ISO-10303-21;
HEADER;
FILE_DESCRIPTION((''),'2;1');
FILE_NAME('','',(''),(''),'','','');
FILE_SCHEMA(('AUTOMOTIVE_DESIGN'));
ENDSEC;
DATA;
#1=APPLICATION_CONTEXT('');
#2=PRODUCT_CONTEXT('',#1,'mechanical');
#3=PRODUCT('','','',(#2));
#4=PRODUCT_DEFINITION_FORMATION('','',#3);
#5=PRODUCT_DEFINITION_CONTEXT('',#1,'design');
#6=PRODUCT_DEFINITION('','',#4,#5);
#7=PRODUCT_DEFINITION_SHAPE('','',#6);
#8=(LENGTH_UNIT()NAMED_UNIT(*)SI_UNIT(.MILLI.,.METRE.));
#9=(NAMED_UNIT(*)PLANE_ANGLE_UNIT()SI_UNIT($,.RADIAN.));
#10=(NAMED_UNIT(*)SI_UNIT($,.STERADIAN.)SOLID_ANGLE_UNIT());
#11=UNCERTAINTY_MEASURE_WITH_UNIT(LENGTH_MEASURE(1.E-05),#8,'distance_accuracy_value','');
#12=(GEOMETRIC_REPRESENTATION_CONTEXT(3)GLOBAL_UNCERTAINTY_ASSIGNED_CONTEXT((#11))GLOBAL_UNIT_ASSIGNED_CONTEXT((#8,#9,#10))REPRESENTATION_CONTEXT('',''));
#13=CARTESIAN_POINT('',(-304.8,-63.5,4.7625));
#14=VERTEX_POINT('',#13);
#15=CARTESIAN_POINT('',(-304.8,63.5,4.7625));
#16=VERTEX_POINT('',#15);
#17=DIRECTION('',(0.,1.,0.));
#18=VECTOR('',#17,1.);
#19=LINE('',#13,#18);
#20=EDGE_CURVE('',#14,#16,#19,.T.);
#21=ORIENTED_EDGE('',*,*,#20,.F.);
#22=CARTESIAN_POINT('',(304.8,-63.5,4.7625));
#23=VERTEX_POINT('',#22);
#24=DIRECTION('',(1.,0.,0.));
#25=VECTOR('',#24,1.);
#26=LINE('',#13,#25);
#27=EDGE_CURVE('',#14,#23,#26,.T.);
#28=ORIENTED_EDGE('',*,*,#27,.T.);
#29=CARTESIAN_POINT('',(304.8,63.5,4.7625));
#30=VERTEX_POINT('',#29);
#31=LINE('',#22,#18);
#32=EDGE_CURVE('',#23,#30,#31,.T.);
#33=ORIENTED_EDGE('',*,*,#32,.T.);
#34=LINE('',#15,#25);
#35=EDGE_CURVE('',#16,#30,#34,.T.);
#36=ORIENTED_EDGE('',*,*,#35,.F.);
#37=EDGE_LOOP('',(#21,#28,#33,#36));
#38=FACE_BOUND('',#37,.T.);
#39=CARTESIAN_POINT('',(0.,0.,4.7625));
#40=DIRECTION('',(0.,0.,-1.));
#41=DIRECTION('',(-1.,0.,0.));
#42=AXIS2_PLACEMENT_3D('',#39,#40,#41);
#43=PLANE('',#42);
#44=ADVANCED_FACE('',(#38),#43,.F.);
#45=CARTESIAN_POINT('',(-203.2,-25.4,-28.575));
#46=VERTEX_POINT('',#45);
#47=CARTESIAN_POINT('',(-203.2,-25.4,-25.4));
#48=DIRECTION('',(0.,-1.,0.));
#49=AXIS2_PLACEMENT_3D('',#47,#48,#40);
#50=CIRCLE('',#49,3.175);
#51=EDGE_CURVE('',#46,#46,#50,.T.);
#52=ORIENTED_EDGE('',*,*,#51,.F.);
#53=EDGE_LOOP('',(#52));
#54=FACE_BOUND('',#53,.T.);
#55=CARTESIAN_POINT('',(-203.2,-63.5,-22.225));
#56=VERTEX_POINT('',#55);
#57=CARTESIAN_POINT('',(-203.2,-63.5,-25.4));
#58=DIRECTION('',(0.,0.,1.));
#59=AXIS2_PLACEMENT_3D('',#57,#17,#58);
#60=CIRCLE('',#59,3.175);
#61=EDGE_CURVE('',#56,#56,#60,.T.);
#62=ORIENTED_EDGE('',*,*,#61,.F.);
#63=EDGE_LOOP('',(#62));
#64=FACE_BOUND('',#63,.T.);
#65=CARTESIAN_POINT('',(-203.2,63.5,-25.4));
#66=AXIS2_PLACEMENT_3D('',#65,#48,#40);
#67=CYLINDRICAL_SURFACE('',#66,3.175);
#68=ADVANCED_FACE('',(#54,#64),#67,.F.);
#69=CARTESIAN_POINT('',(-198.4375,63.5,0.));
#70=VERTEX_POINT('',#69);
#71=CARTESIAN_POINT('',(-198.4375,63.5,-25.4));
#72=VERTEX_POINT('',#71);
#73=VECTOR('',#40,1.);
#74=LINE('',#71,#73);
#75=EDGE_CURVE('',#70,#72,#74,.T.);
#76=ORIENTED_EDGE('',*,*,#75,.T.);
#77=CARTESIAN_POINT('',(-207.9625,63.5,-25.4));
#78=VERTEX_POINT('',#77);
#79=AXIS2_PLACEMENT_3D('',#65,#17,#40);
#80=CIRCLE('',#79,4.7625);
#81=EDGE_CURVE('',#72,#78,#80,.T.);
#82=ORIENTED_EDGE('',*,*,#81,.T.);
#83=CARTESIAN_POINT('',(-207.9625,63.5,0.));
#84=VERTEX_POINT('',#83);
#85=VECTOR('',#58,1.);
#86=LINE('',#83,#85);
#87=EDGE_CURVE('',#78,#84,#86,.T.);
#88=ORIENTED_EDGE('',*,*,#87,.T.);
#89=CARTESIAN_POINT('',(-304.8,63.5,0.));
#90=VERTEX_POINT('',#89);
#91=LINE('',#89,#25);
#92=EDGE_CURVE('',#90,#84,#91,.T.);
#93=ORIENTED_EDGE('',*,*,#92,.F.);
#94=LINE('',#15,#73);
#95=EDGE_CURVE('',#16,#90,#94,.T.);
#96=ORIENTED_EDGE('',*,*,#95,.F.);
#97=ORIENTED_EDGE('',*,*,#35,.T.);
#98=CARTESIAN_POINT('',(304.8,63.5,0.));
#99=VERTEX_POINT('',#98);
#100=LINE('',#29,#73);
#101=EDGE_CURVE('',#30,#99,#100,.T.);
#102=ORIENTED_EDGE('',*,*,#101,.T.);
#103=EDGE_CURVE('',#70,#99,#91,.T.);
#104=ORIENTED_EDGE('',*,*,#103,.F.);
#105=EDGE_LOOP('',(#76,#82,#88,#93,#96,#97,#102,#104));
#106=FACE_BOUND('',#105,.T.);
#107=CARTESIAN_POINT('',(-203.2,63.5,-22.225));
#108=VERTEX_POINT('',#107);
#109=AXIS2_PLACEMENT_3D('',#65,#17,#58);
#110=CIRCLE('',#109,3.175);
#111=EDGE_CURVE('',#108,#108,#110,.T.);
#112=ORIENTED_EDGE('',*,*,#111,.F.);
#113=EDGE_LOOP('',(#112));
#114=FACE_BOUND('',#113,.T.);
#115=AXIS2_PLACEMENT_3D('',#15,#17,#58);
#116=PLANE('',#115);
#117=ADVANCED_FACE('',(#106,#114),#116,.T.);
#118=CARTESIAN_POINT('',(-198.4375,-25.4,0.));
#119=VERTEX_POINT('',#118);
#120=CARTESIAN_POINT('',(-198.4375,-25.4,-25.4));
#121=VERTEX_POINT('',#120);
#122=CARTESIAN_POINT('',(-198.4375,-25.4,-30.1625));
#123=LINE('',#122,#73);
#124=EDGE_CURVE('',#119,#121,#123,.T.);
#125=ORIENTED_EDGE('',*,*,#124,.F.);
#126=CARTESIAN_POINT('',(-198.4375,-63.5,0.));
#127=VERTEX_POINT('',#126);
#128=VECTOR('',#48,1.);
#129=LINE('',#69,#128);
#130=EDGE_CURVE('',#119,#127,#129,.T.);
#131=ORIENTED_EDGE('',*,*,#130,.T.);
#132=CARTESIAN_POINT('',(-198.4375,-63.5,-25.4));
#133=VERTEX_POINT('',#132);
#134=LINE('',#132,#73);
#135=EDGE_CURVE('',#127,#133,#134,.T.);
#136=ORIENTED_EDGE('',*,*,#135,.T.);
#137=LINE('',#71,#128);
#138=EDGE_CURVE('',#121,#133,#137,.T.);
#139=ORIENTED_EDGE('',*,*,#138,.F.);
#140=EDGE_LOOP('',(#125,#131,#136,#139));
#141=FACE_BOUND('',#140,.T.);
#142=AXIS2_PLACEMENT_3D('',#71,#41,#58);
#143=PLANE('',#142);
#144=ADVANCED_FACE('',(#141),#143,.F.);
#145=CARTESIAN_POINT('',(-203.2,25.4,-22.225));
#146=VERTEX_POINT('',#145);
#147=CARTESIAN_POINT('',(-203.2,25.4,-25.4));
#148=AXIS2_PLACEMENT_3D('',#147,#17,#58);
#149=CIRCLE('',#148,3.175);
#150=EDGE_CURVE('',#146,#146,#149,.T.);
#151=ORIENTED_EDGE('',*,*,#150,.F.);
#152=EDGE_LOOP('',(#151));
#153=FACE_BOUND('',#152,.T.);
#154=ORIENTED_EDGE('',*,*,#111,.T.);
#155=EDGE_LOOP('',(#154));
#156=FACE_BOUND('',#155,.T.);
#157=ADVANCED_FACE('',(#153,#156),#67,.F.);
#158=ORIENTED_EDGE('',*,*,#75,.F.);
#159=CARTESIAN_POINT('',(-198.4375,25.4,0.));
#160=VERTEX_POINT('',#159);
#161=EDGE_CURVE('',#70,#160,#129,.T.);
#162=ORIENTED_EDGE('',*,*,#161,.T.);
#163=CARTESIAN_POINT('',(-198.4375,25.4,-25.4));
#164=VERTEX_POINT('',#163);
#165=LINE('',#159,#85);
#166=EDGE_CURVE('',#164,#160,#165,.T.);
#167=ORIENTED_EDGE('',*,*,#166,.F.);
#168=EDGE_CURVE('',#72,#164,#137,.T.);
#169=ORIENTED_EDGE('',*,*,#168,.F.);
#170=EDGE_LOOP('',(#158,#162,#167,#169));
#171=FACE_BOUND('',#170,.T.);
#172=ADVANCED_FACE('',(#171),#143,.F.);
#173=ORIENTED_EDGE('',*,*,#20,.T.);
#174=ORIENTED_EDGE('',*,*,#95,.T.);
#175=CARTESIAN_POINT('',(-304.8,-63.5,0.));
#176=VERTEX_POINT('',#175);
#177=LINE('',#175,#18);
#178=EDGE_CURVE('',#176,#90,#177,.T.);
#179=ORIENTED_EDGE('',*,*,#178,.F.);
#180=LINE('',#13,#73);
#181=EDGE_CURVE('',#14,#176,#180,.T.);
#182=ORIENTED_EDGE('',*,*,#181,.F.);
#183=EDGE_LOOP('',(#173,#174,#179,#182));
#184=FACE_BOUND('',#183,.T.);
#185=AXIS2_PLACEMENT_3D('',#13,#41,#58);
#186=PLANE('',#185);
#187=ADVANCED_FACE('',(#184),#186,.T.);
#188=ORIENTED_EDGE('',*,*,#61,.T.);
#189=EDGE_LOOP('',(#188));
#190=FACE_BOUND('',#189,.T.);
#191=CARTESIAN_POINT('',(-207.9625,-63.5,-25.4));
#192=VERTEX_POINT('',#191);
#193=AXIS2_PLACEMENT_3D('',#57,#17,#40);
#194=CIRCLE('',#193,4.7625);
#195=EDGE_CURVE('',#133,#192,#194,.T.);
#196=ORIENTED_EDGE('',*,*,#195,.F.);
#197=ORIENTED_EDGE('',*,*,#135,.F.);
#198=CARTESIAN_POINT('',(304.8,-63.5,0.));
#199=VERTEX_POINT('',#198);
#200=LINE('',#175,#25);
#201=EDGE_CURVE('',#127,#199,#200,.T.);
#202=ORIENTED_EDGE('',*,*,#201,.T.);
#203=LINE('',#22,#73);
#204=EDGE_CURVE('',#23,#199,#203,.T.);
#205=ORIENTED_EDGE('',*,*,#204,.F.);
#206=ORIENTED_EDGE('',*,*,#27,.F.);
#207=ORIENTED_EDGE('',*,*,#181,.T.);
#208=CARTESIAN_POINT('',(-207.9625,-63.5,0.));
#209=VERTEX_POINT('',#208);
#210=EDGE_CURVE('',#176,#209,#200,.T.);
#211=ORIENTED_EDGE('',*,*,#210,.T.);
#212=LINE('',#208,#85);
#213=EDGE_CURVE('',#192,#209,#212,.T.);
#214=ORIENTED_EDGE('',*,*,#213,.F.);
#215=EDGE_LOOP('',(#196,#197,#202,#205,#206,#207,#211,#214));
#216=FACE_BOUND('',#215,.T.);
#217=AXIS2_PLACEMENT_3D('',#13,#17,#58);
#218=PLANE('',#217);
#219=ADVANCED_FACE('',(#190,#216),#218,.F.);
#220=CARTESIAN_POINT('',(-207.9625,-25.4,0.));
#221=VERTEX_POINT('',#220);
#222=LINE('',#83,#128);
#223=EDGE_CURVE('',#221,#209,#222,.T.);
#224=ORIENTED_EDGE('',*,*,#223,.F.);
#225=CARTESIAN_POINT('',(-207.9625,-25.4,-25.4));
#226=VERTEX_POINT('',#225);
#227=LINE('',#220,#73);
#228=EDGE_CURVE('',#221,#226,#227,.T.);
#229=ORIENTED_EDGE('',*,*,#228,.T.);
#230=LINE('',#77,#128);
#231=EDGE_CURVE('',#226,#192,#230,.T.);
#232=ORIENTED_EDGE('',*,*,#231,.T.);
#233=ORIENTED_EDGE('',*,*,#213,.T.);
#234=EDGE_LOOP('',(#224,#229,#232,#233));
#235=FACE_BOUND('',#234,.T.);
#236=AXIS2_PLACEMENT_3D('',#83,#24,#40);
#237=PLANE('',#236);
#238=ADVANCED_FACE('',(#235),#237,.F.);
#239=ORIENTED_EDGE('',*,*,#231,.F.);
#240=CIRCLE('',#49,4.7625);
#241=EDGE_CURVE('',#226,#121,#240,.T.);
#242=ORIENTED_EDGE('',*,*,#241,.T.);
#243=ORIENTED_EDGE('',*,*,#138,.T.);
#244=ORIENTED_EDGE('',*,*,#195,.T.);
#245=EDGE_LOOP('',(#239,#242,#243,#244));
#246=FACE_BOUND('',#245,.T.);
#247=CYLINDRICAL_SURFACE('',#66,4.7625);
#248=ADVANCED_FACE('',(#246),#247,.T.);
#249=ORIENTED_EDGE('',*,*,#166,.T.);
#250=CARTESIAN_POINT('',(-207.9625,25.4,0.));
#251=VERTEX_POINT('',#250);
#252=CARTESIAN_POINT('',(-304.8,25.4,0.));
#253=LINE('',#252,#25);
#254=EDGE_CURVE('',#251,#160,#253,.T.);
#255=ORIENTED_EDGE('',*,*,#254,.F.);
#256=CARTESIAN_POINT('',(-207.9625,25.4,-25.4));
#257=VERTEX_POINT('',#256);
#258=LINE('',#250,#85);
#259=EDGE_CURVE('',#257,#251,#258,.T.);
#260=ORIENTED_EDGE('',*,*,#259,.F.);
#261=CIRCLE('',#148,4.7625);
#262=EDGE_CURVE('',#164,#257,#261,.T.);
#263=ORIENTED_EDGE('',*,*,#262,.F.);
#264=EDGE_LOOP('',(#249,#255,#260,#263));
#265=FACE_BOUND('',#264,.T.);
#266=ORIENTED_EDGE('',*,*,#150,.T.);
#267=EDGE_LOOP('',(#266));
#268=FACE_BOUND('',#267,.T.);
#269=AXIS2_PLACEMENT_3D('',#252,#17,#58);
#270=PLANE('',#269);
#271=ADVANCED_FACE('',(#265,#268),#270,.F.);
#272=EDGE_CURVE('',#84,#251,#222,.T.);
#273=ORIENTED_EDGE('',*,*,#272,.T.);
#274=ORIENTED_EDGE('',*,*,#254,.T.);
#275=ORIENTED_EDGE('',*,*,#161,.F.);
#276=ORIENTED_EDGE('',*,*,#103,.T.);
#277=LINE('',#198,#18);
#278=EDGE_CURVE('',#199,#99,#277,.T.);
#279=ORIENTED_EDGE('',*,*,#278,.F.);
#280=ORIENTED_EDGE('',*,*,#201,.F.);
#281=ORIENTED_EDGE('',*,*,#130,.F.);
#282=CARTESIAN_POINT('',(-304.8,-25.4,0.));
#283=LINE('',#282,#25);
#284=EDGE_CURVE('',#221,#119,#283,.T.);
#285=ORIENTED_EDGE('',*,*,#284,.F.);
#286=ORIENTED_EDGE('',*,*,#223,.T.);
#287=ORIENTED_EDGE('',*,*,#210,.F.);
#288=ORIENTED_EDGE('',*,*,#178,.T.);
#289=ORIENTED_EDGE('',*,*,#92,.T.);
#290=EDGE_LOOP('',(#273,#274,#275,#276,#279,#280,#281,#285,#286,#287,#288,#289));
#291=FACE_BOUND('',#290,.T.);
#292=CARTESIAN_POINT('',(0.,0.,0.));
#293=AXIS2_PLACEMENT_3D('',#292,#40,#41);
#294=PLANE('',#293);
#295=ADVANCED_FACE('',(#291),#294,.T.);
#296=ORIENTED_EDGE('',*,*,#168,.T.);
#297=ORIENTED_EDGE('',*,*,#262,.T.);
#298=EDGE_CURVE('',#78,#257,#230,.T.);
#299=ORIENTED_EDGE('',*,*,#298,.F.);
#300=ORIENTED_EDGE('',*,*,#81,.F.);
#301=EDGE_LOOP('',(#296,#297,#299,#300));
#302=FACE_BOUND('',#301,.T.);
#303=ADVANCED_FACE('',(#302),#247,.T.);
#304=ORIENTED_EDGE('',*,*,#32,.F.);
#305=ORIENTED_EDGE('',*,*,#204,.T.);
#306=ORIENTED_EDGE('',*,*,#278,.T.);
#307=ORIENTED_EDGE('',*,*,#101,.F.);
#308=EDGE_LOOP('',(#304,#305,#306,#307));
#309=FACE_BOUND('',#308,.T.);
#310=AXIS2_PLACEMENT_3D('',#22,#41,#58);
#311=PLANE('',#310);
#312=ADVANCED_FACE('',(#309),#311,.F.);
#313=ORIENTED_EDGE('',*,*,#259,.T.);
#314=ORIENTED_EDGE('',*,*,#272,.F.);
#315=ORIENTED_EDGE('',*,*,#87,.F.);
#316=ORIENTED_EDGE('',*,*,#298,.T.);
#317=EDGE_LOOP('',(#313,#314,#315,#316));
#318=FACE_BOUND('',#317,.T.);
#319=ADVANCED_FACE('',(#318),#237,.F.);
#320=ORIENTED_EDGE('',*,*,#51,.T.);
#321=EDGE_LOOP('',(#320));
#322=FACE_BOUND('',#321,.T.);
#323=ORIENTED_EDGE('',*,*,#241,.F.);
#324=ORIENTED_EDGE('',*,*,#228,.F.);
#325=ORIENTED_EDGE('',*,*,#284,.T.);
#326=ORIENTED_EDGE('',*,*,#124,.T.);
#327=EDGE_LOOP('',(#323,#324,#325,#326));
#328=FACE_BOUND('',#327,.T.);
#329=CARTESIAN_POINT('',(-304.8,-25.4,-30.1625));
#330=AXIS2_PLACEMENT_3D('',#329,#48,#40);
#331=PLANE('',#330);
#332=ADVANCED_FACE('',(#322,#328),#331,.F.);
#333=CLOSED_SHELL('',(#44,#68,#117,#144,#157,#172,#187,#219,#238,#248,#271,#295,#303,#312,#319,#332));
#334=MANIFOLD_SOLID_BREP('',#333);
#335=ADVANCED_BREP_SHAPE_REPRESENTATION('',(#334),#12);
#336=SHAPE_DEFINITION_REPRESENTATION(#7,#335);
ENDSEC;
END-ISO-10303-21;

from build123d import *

# Parameters (mm, degrees)
SKETCH1_W           = 609.6
SKETCH1_H           = 127
BOSS_EXTRUDE2_DEPTH = 4.7625
SKETCH3_R           = 3.175
BOSS_EXTRUDE3_DEPTH = 63.5
SKETCH4_W           = 30.1625
SKETCH4_H           = 50.8
CUT_EXTRUDE1_DEPTH  = 107.3625


with BuildPart() as part:
    # Sketch1 → Boss-Extrude2 (new body)
    with BuildSketch(Plane.XY):
        Rectangle(SKETCH1_W, SKETCH1_H)
    extrude(amount=BOSS_EXTRUDE2_DEPTH)

    # Sketch3 → Boss-Extrude3 (add, symmetric)
    with BuildSketch(Plane(origin=(0, 0, 0), x_dir=(1, 0, 0), z_dir=(0, 1, 0))):
        with BuildLine():
            Line((-207.9625, 0), (-207.9625, 25.4))
            ThreePointArc((-207.9625, 25.4), (-203.2, 30.1625), (-198.4375, 25.4))
            Line((-198.4375, 25.4), (-198.4375, 0))
            Line((-198.4375, 0), (-207.9625, 0))
        make_face()
        with Locations((-203.2, 25.4)):
            Circle(SKETCH3_R, mode=Mode.SUBTRACT)
    extrude(amount=BOSS_EXTRUDE3_DEPTH, both=True)

    # Sketch4 → Cut-Extrude1 (cut, through all)
    with BuildSketch(Plane(origin=(-198.4375, 0, 0), x_dir=(0, 0, -1), z_dir=(1, 0, 0))):
        with Locations((15.08125, 0)):
            Rectangle(SKETCH4_W, SKETCH4_H)
    extrude(amount=-CUT_EXTRUDE1_DEPTH, mode=Mode.SUBTRACT)


solid = part.part
